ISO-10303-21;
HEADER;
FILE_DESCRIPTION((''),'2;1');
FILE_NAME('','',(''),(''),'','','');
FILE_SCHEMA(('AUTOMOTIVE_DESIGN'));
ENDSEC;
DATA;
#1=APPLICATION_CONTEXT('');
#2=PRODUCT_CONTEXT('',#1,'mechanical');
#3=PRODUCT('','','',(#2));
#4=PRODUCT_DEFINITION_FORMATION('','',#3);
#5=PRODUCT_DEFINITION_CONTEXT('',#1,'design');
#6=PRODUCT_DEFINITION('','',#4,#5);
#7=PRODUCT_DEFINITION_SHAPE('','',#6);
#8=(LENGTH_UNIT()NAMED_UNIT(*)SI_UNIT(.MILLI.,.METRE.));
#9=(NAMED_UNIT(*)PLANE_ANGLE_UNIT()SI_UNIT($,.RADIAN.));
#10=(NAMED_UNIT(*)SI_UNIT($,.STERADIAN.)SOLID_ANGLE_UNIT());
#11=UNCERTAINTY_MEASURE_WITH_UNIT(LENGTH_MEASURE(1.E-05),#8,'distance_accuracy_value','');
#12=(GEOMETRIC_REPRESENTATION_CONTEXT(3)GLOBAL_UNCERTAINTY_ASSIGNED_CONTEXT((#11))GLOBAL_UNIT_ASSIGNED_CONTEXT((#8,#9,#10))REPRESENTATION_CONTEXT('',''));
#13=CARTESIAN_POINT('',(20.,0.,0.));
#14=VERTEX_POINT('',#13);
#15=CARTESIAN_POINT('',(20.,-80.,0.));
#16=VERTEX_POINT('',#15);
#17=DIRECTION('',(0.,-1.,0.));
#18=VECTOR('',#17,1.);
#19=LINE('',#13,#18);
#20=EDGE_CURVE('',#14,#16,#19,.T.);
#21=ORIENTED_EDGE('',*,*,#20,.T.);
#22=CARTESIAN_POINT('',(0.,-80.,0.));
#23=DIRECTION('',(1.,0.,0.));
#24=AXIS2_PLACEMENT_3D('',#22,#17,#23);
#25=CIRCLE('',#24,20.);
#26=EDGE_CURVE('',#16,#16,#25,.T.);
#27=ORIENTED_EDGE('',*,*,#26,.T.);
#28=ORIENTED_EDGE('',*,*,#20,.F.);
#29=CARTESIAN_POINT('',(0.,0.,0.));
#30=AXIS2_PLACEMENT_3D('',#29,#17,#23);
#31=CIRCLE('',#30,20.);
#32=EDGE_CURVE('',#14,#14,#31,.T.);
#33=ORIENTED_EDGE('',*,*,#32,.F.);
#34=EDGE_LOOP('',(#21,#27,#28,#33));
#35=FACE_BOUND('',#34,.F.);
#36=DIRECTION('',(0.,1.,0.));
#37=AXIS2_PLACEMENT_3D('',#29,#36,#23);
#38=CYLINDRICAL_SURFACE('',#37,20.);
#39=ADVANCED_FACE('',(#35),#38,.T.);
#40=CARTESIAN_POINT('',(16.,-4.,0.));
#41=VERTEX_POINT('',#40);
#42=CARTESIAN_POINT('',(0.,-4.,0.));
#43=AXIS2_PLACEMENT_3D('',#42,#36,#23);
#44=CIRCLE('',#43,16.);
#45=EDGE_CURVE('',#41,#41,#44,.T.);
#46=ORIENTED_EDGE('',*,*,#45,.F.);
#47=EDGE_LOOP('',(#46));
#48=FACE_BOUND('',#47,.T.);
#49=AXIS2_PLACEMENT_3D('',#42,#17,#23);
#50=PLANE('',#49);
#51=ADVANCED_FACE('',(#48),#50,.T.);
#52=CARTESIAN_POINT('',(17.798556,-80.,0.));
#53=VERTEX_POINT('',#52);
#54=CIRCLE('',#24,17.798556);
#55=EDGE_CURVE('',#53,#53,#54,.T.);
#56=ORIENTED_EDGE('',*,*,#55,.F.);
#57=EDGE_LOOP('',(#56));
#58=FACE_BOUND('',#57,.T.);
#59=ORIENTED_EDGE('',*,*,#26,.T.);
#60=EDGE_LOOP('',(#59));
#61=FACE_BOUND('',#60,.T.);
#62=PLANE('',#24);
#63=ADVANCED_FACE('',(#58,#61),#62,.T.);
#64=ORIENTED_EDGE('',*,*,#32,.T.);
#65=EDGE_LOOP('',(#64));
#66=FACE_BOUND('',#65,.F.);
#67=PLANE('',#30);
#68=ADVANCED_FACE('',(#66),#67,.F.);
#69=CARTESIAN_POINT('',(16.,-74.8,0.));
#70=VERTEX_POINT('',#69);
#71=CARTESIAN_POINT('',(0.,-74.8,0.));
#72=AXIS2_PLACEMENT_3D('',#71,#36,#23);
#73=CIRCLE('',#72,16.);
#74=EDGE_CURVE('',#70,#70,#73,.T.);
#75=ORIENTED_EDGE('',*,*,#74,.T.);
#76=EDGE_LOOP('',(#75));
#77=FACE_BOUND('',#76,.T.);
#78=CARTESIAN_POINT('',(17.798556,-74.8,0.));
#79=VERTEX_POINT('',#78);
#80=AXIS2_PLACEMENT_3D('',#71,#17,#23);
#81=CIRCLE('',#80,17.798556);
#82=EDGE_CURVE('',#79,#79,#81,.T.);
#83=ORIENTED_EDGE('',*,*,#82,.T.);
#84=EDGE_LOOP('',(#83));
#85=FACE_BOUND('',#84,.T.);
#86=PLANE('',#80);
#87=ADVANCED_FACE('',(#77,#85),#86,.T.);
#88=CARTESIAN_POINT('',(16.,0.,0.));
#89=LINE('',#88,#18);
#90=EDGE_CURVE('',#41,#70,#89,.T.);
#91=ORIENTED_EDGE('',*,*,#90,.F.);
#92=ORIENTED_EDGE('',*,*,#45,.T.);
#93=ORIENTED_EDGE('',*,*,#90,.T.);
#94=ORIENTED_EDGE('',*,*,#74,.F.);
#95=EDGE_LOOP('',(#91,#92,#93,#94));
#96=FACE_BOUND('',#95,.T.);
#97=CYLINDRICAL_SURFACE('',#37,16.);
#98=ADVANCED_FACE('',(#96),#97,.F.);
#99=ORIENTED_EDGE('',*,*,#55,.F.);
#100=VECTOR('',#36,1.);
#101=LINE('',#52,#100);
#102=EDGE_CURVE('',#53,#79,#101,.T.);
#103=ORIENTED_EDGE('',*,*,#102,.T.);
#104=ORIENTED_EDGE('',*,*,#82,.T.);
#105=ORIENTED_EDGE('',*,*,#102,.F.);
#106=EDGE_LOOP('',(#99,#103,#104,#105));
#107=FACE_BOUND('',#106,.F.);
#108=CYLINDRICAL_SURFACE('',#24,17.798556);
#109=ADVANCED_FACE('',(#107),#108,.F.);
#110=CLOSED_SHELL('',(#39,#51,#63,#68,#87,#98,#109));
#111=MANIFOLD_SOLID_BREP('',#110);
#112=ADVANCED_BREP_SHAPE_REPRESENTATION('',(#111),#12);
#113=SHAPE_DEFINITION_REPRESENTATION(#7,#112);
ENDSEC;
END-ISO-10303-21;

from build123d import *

# Parameters (mm, degrees)
F0_R     = 20
F1_DEPTH = 80
F2_T     = -4
F3_R     = 17.798556
F4_DEPTH = 5.2


with BuildPart() as f1:
    # F0 (on Front) → F1 (new body)
    with BuildSketch(Plane.XZ):
        Circle(F0_R)
    extrude(amount=F1_DEPTH)

    # F2
    f2_openings = [f1.faces().sort_by_distance(p)[0] for p in [
        (0, -80, 0),
    ]]
    offset(amount=F2_T, openings=f2_openings)

    # F3 (on face) → F4 (cut)
    with BuildSketch(Plane.XZ.offset(80)):
        Circle(F3_R)
    extrude(amount=-F4_DEPTH, mode=Mode.SUBTRACT)


solid = f1.part
